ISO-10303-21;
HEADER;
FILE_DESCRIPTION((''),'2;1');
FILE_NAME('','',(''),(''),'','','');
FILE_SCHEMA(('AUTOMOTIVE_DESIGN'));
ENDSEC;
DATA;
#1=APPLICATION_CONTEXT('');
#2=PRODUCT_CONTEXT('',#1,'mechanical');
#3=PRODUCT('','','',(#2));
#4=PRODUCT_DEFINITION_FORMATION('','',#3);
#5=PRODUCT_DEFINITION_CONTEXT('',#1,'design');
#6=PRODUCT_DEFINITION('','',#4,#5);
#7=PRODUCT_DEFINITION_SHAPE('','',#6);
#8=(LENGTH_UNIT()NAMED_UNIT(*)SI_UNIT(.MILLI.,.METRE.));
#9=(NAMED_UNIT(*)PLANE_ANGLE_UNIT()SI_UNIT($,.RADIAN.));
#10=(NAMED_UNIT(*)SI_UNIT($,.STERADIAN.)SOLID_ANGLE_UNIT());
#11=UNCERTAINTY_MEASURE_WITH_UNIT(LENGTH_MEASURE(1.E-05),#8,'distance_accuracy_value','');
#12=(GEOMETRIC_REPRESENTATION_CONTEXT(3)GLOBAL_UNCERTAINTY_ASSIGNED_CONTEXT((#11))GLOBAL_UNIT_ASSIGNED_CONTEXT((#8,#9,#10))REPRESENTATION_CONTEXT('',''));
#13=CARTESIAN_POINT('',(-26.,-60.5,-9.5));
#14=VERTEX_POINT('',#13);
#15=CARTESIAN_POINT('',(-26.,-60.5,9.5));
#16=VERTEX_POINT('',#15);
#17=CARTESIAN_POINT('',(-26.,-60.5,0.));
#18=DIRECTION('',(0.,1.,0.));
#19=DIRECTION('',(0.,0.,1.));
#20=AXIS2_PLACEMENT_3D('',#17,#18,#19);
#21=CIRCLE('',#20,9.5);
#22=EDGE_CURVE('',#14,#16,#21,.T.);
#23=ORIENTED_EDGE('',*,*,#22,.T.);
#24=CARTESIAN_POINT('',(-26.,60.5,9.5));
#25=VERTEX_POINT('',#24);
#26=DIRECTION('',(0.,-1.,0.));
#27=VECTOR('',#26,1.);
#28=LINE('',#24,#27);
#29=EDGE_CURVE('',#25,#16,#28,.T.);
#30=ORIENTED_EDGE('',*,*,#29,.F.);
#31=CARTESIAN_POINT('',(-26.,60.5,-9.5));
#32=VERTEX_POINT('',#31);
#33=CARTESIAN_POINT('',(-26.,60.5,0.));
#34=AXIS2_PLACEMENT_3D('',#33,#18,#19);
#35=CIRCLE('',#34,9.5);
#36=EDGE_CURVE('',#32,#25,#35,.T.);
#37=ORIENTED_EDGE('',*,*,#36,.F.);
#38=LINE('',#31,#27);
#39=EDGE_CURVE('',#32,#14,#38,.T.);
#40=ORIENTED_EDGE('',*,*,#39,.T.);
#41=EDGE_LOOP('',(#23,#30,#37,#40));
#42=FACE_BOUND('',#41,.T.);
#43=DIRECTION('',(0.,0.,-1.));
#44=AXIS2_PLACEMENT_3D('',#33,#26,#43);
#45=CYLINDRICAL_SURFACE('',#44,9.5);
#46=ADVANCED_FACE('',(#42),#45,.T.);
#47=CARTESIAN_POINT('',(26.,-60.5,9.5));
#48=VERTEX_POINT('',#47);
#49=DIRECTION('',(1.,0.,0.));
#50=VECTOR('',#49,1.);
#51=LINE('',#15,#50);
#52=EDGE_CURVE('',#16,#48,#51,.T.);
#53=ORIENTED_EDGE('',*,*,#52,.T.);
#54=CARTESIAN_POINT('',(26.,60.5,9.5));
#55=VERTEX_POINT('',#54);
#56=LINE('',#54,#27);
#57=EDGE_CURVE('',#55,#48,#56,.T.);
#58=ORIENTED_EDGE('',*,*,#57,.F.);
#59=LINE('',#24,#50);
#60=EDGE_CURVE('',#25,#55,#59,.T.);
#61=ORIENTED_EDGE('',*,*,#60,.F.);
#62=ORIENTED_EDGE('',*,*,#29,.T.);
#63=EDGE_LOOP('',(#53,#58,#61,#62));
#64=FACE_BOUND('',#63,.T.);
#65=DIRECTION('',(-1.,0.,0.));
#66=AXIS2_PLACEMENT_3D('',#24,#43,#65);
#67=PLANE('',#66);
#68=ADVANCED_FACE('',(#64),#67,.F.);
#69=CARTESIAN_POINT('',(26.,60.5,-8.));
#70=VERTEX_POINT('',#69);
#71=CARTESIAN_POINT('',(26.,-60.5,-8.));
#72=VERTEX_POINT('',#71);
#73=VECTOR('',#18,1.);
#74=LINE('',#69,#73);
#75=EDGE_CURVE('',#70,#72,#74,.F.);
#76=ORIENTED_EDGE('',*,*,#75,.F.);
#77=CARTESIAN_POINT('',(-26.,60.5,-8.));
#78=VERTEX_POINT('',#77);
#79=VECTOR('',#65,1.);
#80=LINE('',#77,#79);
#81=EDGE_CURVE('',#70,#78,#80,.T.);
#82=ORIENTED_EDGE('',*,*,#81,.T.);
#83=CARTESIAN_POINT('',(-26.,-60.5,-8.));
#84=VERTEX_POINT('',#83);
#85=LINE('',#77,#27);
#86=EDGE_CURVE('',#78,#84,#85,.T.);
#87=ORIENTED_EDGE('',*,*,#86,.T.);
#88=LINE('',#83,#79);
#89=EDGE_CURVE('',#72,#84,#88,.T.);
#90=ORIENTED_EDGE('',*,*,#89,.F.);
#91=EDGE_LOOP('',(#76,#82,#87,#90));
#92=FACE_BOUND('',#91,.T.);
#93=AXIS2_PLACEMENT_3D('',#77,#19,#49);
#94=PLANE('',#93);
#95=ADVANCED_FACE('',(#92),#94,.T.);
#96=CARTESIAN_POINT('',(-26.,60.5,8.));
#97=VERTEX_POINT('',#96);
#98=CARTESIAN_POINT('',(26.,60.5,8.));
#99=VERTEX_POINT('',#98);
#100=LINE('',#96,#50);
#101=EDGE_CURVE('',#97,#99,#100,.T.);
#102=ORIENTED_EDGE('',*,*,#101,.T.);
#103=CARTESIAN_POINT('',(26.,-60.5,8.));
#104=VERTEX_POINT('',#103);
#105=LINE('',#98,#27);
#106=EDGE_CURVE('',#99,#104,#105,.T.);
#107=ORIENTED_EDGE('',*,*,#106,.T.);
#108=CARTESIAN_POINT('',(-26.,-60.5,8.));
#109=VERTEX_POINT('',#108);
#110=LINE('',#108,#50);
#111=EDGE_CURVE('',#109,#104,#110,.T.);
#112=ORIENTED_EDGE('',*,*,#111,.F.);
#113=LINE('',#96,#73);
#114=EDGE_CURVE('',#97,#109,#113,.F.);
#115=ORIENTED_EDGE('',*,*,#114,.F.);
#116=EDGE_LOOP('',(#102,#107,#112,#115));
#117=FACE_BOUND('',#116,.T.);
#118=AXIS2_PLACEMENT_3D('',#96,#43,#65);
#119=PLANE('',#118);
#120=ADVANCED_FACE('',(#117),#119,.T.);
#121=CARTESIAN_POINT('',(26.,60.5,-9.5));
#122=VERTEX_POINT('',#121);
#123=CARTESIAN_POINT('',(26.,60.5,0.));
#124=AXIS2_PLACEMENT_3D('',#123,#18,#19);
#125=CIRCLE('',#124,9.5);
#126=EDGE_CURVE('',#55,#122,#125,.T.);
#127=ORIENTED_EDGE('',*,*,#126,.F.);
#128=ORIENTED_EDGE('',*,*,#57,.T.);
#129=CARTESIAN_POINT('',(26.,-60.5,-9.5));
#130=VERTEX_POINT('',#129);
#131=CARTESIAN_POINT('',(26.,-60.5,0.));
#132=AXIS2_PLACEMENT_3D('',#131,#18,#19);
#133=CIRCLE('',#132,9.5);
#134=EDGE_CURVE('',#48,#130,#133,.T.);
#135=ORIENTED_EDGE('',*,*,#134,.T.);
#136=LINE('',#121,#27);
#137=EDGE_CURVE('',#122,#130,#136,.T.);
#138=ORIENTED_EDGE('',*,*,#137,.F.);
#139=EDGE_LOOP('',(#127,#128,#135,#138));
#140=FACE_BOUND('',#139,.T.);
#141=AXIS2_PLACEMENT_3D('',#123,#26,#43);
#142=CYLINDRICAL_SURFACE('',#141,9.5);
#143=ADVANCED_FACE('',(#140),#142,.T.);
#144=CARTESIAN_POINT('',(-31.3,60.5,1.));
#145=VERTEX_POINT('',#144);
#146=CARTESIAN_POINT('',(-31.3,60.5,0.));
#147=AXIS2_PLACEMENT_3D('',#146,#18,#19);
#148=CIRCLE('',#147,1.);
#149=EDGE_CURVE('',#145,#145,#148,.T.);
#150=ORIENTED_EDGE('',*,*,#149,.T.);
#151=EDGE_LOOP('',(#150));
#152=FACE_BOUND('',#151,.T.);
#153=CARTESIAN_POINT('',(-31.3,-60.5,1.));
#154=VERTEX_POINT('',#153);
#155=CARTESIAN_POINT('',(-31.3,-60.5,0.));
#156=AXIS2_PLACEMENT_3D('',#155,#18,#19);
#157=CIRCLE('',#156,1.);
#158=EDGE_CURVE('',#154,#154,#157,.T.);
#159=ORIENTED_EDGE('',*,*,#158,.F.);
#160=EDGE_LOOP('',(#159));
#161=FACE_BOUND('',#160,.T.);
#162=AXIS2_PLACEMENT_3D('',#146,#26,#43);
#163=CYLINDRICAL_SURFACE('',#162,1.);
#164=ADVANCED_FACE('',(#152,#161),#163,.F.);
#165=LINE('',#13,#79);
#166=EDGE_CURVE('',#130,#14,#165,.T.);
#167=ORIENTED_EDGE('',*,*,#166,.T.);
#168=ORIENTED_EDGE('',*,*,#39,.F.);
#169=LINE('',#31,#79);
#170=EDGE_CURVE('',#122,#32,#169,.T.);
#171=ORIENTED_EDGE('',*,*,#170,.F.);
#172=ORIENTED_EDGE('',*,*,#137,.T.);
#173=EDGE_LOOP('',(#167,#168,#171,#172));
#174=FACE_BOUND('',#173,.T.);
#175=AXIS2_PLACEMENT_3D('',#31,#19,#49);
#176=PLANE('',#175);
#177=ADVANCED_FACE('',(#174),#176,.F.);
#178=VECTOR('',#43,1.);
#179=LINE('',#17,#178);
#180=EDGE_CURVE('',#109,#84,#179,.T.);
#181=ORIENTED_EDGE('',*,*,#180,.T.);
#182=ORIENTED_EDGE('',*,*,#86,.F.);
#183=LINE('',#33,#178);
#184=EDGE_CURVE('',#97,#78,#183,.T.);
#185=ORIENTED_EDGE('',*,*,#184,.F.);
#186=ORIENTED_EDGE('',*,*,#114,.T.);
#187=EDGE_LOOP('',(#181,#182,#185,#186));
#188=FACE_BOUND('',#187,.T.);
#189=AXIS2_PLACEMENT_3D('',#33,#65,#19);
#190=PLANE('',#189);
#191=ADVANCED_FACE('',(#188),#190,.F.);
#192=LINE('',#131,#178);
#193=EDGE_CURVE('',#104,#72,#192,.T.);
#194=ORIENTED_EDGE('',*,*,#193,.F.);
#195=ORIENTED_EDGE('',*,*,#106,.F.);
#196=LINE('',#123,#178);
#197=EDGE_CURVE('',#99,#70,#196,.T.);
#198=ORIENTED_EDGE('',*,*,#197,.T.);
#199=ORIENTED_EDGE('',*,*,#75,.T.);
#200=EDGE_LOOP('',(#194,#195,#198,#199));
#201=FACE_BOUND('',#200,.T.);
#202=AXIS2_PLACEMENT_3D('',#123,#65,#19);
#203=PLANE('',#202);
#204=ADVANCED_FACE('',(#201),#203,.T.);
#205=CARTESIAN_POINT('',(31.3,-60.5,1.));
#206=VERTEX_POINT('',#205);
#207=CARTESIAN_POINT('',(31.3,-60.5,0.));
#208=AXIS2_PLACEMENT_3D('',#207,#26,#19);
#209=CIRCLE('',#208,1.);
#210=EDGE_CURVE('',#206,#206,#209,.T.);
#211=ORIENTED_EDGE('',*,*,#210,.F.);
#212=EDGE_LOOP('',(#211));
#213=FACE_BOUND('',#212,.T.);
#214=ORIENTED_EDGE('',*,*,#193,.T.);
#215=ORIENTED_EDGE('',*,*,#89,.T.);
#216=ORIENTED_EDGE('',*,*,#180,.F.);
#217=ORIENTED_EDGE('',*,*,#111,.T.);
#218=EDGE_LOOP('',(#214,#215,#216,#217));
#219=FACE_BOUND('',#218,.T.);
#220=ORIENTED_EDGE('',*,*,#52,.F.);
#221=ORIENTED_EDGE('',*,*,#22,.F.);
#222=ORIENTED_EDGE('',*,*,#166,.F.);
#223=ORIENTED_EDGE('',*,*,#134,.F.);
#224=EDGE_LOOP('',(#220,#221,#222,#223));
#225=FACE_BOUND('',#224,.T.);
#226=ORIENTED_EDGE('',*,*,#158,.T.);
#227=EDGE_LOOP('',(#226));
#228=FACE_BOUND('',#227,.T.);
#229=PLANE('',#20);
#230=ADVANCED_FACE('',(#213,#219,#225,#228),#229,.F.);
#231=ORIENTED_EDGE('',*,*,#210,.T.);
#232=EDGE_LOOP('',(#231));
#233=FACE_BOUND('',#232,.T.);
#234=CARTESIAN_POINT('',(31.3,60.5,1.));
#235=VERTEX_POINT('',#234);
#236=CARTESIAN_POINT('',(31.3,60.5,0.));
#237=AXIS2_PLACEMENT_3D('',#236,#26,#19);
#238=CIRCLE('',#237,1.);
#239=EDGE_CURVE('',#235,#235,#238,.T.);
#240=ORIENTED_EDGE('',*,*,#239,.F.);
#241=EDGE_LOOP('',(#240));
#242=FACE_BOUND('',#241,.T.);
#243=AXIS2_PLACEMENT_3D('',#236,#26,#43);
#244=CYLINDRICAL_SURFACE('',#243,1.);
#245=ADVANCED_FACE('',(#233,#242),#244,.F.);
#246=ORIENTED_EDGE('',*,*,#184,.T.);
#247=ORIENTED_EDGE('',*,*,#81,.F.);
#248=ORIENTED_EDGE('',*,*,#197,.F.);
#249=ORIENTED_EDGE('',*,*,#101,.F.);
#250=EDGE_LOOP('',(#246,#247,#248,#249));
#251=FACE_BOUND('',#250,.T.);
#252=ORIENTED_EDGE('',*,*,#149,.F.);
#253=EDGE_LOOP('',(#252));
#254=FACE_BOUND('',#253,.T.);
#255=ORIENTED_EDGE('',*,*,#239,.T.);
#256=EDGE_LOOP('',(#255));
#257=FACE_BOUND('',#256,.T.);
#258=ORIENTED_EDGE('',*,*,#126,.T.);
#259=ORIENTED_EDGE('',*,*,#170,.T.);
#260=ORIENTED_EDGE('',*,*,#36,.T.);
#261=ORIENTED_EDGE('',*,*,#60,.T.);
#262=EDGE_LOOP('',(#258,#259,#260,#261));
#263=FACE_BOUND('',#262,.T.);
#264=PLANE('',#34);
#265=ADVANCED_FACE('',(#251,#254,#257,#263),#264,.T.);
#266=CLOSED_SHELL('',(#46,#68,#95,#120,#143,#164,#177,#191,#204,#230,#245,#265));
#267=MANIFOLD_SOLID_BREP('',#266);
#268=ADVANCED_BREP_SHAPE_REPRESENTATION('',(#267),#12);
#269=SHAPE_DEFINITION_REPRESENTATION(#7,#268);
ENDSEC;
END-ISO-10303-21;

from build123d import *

# Parameters (mm, degrees)
BOSS_EXTRUDE1_DEPTH = 60.5
SHELL1_T            = -1.5
BOSS_EXTRUDE2_DEPTH = 60.5


with BuildPart() as part:
    # Sketch1 → Boss-Extrude1 (new, symmetric)
    with BuildSketch(Plane(origin=(0, 0, 0), x_dir=(1, 0, 0), z_dir=(0, 1, 0))):
        with BuildLine():
            Line((-26, 9.5), (26, 9.5))
            ThreePointArc((26, 9.5), (35.5, 0), (26, -9.5))
            Line((26, -9.5), (-26, -9.5))
            ThreePointArc((-26, -9.5), (-35.5, 0), (-26, 9.5))
        make_face()
    extrude(amount=BOSS_EXTRUDE1_DEPTH, both=True)

    # Shell1
    shell1_openings = [part.faces().sort_by_distance(p)[0] for p in [
        (0, 60.5, 0),
        (0, -60.5, 0),
    ]]
    offset(amount=SHELL1_T, openings=shell1_openings, kind=Kind.INTERSECTION)

    # Sketch2 → Boss-Extrude2 (add, symmetric)
    with BuildSketch(Plane(origin=(0, 0, 0), x_dir=(1, 0, 0), z_dir=(0, 1, 0))):
        with BuildLine():
            ThreePointArc((-34, 0), (-31.656854249, -5.656854249), (-26, -8))
            Line((-26, -8), (-26, 0))
            Line((-26, 0), (-30.3, 0))
            ThreePointArc((-30.3, 0), (-31.3, -1), (-32.3, 0))
            Line((-32.3, 0), (-34, 0))
        make_face()
        with BuildLine():
            Line((-30.3, 0), (-26, 0))
            Line((-26, 0), (-26, 8))
            ThreePointArc((-26, 8), (-31.656854249, 5.656854249), (-34, 0))
            Line((-34, 0), (-32.3, 0))
            ThreePointArc((-32.3, 0), (-31.3, 1), (-30.3, 0))
        make_face()
    boss_extrude2 = extrude(amount=BOSS_EXTRUDE2_DEPTH, both=True)

    # Mirror1: Boss-Extrude2 across plane
    add(boss_extrude2.mirror(Plane(origin=(0, 0, 0), x_dir=(0, 0, 1), z_dir=(1, 0, 0))))


solid = part.part
